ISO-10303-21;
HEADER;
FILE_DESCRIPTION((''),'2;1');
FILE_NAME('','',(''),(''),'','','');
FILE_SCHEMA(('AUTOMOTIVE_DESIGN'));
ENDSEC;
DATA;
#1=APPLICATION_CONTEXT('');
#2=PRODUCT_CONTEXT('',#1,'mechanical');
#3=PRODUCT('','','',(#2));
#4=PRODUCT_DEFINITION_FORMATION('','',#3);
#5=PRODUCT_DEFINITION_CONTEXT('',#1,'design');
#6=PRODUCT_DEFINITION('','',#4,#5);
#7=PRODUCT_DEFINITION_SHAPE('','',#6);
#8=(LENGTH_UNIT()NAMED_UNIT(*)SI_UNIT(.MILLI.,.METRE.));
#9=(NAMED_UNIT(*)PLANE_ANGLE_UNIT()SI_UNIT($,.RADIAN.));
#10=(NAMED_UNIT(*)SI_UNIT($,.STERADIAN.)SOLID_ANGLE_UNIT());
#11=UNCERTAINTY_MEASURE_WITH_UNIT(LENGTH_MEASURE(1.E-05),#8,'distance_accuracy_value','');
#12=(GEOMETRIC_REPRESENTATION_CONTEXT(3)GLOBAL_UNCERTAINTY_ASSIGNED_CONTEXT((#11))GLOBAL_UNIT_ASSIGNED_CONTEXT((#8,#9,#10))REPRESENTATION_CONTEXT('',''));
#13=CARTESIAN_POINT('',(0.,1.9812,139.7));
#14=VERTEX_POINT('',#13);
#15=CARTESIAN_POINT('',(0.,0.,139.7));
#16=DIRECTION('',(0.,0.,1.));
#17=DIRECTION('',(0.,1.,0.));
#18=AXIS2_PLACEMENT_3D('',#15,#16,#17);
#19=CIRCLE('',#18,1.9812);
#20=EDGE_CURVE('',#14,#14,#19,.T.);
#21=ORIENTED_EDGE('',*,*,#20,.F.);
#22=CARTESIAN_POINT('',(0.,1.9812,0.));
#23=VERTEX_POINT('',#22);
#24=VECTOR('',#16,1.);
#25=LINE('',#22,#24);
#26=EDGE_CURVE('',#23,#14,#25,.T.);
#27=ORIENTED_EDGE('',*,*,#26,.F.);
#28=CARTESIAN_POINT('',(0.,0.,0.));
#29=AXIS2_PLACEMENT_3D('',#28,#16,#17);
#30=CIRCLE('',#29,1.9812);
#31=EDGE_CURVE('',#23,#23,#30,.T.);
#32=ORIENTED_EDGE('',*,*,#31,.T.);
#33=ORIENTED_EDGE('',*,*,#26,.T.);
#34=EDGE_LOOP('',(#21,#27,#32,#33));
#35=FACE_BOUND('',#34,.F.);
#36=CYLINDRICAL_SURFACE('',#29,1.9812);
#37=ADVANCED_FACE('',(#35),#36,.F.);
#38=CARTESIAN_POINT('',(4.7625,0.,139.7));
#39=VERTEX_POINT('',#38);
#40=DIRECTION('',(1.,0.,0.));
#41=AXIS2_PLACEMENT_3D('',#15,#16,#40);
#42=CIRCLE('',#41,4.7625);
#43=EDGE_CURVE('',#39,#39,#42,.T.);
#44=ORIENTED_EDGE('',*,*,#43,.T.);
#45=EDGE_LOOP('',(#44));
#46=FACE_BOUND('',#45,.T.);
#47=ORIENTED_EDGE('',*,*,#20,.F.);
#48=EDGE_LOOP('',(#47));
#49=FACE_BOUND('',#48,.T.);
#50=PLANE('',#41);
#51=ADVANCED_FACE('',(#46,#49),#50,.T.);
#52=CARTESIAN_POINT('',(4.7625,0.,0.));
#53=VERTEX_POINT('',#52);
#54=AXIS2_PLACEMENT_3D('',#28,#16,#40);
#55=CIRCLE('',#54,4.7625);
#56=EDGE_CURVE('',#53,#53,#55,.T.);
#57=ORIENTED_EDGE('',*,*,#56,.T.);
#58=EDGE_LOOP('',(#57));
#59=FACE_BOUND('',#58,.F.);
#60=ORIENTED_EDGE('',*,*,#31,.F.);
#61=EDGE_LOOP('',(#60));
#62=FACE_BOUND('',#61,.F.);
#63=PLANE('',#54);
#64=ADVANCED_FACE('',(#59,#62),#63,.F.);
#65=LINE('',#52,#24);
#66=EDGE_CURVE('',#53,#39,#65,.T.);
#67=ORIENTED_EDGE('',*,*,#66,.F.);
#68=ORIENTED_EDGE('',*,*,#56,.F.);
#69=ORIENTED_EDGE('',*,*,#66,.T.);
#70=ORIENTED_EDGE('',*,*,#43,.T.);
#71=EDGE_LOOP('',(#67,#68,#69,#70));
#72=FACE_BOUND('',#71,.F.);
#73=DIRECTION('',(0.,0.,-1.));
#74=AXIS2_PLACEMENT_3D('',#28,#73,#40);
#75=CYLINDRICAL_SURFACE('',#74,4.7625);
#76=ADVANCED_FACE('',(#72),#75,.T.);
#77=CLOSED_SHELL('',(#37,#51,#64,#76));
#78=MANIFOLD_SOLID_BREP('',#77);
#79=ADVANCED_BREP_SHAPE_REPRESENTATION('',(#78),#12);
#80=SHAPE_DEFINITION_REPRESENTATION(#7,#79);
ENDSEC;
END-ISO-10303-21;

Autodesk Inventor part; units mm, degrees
ref_plane "YZ Plane" through (0, 0, 0) normal (1, 0, 0) x (0, 1, 0)
ref_plane "XZ Plane" through (0, 0, 0) normal (0, 1, 0) x (-1, 0, 0)
ref_plane "XY Plane" through (0, 0, 0) normal (0, 0, 1) x (1, 0, 0)
sketch "Sketch1" plane through (0, 0, 0) normal (0, 0, 1) x (1, 0, 0)
  circle A0 centre (0, 0) radius 4.7625
  dimension "d10" = 9.525
extrude "Extrusion1" add sketch "Sketch1" along normal blind 139.7
hole "Hole1" at (0, 0, 0) direction (0, 0, 1) diameter 3.9624 end through all thread size "10-32 UNF" class "2B" standard "ANSI Unified Screw Threads"
equation "\"d10\" = OutsideDiameter"
equation "\"d1\" = StandoffLength"
equation "\"StandoffLength\" = 139.7"
equation "\"HoleDiameter\" = 5.1054"
equation "\"OutsideDiameter\" = 9.525"
properties part number "GP5-026" material "Aluminum 6061"
